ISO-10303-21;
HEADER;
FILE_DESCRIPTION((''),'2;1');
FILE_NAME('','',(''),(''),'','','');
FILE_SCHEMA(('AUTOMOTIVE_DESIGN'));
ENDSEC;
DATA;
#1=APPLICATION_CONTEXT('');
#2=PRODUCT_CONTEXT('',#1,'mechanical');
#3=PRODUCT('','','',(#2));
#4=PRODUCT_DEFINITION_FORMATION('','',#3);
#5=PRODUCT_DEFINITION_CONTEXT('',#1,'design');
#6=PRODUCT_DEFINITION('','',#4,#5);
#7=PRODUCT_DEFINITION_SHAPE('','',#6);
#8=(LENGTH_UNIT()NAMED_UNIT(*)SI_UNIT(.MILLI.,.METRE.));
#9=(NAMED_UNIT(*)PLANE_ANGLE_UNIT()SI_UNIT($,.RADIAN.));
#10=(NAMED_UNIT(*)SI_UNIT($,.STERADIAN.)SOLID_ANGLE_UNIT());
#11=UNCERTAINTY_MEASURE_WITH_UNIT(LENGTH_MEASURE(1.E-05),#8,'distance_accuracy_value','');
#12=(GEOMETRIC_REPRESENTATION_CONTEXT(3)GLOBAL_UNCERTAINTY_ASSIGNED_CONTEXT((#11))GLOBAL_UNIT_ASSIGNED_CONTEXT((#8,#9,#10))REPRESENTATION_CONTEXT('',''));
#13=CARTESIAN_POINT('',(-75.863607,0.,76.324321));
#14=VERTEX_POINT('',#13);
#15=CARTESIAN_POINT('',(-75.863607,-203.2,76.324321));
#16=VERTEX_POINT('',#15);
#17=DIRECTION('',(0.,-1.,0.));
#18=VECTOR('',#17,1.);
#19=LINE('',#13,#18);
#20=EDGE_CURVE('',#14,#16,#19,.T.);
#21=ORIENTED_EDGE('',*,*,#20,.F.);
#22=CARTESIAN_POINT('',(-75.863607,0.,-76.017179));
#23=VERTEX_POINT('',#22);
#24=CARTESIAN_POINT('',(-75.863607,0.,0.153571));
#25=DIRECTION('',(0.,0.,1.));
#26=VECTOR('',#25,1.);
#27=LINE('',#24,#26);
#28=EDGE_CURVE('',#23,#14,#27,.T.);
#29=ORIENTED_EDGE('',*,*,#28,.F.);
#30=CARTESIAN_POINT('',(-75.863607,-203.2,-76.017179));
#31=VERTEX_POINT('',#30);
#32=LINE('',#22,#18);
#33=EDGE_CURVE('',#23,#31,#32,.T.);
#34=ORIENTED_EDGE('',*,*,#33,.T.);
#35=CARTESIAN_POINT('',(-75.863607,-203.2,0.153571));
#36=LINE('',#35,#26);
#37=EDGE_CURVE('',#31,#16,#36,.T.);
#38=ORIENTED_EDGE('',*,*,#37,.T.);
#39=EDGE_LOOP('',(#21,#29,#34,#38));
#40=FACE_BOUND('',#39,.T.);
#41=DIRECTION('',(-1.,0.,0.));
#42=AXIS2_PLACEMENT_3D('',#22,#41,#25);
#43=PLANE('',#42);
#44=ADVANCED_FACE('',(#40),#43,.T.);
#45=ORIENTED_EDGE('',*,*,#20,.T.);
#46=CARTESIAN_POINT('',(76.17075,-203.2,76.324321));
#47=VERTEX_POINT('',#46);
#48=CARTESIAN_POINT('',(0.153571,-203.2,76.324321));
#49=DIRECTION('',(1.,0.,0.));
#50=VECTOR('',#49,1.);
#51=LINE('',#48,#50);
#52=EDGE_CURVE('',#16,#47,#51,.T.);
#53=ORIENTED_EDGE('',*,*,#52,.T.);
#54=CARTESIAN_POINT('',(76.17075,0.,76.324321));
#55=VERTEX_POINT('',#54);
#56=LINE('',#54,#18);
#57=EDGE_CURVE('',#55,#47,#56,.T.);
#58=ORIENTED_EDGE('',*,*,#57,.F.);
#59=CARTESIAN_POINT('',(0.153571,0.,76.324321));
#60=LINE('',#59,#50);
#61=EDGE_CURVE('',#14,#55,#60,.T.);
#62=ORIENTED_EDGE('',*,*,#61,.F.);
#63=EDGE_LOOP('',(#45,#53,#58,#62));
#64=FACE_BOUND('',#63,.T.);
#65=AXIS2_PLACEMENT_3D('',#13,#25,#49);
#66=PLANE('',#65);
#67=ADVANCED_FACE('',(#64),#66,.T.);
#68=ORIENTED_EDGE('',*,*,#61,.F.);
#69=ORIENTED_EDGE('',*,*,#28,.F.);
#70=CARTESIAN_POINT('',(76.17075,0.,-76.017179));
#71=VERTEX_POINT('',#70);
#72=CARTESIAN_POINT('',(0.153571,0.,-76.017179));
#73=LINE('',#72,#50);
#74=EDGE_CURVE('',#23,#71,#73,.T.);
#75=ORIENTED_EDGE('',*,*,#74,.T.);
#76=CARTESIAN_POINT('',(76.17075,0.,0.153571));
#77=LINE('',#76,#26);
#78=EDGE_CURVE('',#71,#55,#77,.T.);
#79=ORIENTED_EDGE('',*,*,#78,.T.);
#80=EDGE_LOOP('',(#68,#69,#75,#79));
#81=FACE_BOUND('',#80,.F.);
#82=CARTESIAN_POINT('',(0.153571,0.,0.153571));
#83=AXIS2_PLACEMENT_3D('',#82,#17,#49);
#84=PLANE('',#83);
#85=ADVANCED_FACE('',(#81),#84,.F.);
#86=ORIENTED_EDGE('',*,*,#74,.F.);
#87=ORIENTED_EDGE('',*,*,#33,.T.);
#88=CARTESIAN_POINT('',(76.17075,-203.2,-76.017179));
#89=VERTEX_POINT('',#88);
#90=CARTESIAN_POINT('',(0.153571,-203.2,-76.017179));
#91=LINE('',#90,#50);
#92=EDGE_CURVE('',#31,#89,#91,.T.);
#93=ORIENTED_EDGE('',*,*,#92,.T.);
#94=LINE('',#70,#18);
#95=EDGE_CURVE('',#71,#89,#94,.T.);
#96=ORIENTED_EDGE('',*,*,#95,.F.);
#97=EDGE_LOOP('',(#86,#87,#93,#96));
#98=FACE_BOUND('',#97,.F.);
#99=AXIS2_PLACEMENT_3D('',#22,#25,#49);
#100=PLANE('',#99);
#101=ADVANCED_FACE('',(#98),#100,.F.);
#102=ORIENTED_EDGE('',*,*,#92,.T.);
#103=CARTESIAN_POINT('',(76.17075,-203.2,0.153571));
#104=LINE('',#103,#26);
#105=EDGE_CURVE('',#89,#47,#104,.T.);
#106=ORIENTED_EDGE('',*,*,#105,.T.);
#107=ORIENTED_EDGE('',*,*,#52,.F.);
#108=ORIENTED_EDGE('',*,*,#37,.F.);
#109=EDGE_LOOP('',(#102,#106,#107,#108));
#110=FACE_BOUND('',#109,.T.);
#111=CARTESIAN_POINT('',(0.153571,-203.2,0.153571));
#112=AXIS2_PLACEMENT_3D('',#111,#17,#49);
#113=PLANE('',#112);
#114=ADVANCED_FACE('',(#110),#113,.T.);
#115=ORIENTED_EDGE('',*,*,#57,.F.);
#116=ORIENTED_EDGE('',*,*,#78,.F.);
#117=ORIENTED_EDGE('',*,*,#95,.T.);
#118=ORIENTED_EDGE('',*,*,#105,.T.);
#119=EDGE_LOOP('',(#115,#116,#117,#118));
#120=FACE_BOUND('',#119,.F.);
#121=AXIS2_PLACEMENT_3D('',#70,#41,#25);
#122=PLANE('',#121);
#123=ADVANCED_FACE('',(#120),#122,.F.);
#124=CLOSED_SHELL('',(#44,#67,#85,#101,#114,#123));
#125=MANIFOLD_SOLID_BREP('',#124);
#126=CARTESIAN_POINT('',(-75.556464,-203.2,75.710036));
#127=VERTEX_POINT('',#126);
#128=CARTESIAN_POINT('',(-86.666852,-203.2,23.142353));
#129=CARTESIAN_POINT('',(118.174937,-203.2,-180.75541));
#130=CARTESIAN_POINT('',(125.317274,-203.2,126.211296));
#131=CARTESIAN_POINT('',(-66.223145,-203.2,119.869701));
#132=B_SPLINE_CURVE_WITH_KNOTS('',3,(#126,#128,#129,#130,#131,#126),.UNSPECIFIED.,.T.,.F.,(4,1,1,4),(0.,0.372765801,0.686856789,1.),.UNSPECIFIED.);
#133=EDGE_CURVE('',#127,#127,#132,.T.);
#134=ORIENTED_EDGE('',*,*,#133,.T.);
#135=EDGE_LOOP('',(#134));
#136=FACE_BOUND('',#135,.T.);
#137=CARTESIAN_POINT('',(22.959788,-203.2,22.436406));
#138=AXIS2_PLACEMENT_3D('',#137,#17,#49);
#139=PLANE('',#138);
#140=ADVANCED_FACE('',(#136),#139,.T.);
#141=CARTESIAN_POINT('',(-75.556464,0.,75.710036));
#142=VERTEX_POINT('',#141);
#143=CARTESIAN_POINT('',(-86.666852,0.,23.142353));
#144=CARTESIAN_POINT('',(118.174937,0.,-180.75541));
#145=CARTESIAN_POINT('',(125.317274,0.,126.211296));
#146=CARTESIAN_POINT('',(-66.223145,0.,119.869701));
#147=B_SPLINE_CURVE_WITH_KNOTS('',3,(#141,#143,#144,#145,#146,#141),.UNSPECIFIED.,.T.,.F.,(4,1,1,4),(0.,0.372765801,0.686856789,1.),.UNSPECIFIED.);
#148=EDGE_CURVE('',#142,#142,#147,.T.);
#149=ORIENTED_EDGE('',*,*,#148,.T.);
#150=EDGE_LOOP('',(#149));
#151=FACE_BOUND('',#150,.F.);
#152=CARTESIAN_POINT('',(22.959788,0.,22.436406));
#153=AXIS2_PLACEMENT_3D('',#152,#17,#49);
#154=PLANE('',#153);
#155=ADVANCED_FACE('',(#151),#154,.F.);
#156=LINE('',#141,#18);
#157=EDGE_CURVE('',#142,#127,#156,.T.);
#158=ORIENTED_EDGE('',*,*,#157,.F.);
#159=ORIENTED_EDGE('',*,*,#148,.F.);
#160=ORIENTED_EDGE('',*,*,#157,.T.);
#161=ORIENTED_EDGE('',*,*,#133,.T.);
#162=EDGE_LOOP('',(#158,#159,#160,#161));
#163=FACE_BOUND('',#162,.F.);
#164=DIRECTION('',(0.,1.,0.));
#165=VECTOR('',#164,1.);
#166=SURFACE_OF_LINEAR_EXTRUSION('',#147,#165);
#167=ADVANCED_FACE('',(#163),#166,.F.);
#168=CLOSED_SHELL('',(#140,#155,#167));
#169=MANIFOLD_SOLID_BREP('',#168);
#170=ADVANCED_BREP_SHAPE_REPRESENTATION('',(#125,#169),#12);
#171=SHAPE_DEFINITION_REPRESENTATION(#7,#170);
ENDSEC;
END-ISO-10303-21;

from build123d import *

# Parameters (mm, degrees)
F0_W     = 152.0343571901
F0_H     = 152.3414999247
F2_DEPTH = 203.2


with BuildPart() as f2:
    # F0 (on Front) → F2 (new body)
    with BuildSketch(Plane.XZ):
        with Locations((0.1535713673, 0.1535713673)):
            Rectangle(F0_W, F0_H)
    extrude(amount=F2_DEPTH)


with BuildPart() as f2b:
    # F1 (on face) → F2, piece 2 (new body)
    with BuildSketch(Plane.XZ):
        with BuildLine():
            add(Edge.make_bspline(
                [(-75.5564644933, 75.7100358605), (-86.6668516936, 23.1423527036), (118.174936648, -180.7554096371), (125.3172743548, 126.2112959556), (-66.2231449888, 119.869701376), (-75.5564644933, 75.7100358605)],
                knots=[0, 0, 0, 0, 0.3727658013, 0.686856789, 1, 1, 1, 1], degree=3))
        make_face()
    extrude(amount=F2_DEPTH)


solid = Compound([f2.part, f2b.part])
